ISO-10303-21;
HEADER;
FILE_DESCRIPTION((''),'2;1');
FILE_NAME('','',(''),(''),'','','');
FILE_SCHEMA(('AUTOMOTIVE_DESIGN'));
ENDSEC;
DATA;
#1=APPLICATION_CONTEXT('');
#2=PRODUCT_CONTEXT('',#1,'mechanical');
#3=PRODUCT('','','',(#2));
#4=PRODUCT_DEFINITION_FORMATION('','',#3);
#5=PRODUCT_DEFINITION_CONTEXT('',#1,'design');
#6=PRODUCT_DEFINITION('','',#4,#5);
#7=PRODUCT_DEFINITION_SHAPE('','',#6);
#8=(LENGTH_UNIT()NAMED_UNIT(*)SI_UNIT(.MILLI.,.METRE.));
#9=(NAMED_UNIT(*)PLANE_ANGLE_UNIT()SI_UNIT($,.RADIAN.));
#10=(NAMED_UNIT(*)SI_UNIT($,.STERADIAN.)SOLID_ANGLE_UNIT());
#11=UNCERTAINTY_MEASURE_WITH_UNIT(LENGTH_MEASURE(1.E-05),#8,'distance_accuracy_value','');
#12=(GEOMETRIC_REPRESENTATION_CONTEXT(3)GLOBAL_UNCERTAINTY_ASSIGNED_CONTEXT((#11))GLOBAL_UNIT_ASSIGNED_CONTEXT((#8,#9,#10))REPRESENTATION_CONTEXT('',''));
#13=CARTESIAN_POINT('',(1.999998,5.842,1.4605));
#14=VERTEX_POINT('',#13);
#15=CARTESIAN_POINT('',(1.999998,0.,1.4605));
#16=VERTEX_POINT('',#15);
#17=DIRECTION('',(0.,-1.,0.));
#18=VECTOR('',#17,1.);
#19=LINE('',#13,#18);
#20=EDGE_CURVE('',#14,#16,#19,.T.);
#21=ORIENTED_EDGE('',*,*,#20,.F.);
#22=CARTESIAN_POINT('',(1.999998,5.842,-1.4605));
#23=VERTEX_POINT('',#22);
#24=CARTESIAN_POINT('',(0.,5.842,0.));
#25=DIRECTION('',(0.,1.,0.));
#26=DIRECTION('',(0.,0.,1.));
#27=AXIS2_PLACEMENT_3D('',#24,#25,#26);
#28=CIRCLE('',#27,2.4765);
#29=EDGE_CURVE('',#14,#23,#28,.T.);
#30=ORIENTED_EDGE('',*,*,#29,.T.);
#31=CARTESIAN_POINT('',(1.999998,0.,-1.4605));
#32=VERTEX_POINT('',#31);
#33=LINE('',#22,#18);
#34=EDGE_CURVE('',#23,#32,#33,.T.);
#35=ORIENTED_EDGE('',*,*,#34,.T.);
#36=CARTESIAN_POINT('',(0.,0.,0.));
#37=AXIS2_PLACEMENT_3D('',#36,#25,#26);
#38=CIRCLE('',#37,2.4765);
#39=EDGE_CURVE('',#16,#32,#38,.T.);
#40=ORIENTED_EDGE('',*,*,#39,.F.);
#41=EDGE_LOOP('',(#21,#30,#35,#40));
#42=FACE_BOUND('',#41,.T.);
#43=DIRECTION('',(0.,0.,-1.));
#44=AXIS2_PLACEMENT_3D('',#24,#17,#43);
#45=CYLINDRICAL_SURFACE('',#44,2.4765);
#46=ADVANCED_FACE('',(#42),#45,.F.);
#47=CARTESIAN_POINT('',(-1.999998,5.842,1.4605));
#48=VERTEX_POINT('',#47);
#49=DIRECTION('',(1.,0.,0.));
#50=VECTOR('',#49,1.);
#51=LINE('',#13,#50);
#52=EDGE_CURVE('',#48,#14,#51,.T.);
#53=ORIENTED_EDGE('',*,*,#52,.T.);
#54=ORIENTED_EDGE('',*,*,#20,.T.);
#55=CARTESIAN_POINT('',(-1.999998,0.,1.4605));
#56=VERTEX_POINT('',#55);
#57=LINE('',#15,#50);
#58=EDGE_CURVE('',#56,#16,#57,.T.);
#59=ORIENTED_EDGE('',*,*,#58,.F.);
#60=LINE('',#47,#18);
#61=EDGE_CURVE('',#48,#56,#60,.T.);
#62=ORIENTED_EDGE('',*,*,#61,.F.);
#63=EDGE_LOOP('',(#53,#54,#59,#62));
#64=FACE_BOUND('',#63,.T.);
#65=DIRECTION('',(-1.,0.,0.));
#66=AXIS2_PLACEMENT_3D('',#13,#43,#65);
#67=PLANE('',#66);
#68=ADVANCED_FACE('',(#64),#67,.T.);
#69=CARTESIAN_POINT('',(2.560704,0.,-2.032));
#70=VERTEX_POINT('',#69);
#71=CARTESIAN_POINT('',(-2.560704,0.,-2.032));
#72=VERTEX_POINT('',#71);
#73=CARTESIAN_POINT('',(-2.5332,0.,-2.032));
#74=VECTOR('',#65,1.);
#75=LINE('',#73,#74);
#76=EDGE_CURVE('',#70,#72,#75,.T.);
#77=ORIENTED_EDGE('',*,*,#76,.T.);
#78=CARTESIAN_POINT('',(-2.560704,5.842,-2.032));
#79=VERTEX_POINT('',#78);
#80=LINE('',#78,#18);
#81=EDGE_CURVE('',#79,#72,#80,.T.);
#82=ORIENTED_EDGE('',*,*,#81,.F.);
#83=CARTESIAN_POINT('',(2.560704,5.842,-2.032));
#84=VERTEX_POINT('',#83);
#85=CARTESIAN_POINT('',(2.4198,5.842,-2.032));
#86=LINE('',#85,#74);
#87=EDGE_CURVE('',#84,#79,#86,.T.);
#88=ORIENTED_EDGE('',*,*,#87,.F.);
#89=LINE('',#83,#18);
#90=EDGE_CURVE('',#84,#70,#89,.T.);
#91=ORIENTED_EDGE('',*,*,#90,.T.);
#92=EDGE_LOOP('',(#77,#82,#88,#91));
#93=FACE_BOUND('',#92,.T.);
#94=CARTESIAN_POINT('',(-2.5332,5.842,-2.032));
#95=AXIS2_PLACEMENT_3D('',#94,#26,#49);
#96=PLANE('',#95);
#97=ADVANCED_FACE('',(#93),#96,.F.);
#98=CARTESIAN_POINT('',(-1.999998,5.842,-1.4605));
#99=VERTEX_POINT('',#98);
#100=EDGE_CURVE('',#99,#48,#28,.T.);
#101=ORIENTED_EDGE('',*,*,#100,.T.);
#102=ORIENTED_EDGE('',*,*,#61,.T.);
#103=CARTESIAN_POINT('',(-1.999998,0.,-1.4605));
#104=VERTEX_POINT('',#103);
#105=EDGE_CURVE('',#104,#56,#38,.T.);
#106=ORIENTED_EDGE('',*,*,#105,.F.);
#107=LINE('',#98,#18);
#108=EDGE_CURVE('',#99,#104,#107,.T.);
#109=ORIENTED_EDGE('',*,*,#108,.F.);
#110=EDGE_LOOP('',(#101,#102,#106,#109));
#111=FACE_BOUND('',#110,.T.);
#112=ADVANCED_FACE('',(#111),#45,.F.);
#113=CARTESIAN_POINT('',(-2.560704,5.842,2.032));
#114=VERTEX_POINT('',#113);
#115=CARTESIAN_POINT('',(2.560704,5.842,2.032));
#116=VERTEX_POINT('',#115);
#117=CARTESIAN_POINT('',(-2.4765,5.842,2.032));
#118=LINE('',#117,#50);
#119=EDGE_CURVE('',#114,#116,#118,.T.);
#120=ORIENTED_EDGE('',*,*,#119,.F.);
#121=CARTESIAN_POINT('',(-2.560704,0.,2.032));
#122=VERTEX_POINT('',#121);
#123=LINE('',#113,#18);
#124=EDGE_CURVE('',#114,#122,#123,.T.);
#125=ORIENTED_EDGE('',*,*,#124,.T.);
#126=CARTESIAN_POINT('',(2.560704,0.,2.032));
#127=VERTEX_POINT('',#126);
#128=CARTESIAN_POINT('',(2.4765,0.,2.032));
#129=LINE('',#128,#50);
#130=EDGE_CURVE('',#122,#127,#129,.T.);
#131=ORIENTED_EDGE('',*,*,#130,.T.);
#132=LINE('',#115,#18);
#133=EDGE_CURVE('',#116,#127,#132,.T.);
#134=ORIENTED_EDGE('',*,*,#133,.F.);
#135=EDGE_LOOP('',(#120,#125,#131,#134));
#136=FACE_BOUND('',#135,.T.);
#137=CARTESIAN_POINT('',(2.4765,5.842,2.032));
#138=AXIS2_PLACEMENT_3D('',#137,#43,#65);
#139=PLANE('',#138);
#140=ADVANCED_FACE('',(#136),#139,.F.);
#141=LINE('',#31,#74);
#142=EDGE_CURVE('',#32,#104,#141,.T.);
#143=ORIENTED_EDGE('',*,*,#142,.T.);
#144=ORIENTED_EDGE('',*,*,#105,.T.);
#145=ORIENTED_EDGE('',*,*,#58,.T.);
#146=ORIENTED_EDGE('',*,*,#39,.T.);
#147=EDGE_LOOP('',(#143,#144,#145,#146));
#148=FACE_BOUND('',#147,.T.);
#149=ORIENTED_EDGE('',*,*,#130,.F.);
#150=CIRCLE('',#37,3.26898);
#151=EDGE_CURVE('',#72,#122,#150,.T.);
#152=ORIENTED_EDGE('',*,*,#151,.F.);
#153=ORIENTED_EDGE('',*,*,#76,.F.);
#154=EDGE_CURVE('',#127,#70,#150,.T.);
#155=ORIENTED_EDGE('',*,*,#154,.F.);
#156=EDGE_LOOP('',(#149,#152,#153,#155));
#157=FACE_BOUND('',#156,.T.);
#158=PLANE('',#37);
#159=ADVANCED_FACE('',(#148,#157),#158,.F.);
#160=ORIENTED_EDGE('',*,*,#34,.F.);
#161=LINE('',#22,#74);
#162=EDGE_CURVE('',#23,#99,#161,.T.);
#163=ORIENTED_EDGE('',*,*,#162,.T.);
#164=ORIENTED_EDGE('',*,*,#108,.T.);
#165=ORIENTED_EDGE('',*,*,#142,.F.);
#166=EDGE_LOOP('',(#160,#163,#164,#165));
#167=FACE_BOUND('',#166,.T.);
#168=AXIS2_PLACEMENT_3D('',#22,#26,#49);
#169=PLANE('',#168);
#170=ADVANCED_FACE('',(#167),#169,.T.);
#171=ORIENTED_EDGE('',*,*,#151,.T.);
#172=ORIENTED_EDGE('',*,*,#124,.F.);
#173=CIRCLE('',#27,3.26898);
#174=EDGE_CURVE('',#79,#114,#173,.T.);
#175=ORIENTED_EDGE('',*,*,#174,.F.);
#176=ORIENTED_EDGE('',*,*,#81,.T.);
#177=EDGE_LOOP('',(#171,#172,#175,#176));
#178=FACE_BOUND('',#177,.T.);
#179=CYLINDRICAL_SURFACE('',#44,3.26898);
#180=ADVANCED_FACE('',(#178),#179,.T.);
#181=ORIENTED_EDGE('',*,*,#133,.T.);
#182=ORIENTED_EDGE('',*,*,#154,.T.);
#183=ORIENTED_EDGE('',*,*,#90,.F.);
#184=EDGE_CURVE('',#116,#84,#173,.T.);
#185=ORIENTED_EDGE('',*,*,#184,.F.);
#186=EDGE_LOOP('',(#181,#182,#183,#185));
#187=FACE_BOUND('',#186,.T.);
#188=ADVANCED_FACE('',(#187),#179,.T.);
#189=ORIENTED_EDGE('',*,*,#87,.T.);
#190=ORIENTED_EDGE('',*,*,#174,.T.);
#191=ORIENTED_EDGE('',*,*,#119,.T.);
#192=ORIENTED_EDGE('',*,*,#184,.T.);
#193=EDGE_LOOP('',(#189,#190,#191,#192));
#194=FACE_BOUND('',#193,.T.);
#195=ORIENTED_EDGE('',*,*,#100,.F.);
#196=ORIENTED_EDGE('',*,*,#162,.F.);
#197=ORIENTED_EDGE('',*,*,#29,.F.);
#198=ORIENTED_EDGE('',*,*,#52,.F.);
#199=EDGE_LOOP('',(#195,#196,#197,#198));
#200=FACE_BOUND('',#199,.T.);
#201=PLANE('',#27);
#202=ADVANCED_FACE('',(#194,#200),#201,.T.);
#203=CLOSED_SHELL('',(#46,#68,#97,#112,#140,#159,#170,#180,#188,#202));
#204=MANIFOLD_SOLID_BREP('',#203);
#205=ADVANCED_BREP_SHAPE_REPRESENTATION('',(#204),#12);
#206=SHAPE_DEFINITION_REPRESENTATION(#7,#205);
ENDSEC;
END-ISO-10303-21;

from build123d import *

# Parameters (mm, degrees)
BOSS_EXTRUDE1_DEPTH = 5.842


with BuildPart() as part:
    # Sketch1 → Boss-Extrude1 (new body)
    with BuildSketch(Plane(origin=(0, 0, 0), x_dir=(1, 0, 0), z_dir=(0, 1, 0))):
        with BuildLine():
            Line((-2.4765, -2.032), (2.4765, -2.032))
            Line((2.4765, -2.032), (2.560704247, -2.032))
            ThreePointArc((2.560704247, -2.032), (3.26898, 0), (2.560704247, 2.032))
            Line((2.560704247, 2.032), (2.419800194, 2.032))
            Line((2.419800194, 2.032), (-2.533199806, 2.032))
            Line((-2.533199806, 2.032), (-2.560704247, 2.032))
            ThreePointArc((-2.560704247, 2.032), (-3.26898, 0), (-2.560704247, -2.032))
            Line((-2.560704247, -2.032), (-2.4765, -2.032))
        make_face()
        with BuildLine():
            Line((1.999998, -1.4605), (-1.999998, -1.4605))
            ThreePointArc((-1.999998, -1.4605), (-2.4765, 0), (-1.999998, 1.4605))
            Line((-1.999998, 1.4605), (1.999998, 1.4605))
            ThreePointArc((1.999998, 1.4605), (2.4765, 0), (1.999998, -1.4605))
        make_face(mode=Mode.SUBTRACT)
    extrude(amount=BOSS_EXTRUDE1_DEPTH)


solid = part.part
